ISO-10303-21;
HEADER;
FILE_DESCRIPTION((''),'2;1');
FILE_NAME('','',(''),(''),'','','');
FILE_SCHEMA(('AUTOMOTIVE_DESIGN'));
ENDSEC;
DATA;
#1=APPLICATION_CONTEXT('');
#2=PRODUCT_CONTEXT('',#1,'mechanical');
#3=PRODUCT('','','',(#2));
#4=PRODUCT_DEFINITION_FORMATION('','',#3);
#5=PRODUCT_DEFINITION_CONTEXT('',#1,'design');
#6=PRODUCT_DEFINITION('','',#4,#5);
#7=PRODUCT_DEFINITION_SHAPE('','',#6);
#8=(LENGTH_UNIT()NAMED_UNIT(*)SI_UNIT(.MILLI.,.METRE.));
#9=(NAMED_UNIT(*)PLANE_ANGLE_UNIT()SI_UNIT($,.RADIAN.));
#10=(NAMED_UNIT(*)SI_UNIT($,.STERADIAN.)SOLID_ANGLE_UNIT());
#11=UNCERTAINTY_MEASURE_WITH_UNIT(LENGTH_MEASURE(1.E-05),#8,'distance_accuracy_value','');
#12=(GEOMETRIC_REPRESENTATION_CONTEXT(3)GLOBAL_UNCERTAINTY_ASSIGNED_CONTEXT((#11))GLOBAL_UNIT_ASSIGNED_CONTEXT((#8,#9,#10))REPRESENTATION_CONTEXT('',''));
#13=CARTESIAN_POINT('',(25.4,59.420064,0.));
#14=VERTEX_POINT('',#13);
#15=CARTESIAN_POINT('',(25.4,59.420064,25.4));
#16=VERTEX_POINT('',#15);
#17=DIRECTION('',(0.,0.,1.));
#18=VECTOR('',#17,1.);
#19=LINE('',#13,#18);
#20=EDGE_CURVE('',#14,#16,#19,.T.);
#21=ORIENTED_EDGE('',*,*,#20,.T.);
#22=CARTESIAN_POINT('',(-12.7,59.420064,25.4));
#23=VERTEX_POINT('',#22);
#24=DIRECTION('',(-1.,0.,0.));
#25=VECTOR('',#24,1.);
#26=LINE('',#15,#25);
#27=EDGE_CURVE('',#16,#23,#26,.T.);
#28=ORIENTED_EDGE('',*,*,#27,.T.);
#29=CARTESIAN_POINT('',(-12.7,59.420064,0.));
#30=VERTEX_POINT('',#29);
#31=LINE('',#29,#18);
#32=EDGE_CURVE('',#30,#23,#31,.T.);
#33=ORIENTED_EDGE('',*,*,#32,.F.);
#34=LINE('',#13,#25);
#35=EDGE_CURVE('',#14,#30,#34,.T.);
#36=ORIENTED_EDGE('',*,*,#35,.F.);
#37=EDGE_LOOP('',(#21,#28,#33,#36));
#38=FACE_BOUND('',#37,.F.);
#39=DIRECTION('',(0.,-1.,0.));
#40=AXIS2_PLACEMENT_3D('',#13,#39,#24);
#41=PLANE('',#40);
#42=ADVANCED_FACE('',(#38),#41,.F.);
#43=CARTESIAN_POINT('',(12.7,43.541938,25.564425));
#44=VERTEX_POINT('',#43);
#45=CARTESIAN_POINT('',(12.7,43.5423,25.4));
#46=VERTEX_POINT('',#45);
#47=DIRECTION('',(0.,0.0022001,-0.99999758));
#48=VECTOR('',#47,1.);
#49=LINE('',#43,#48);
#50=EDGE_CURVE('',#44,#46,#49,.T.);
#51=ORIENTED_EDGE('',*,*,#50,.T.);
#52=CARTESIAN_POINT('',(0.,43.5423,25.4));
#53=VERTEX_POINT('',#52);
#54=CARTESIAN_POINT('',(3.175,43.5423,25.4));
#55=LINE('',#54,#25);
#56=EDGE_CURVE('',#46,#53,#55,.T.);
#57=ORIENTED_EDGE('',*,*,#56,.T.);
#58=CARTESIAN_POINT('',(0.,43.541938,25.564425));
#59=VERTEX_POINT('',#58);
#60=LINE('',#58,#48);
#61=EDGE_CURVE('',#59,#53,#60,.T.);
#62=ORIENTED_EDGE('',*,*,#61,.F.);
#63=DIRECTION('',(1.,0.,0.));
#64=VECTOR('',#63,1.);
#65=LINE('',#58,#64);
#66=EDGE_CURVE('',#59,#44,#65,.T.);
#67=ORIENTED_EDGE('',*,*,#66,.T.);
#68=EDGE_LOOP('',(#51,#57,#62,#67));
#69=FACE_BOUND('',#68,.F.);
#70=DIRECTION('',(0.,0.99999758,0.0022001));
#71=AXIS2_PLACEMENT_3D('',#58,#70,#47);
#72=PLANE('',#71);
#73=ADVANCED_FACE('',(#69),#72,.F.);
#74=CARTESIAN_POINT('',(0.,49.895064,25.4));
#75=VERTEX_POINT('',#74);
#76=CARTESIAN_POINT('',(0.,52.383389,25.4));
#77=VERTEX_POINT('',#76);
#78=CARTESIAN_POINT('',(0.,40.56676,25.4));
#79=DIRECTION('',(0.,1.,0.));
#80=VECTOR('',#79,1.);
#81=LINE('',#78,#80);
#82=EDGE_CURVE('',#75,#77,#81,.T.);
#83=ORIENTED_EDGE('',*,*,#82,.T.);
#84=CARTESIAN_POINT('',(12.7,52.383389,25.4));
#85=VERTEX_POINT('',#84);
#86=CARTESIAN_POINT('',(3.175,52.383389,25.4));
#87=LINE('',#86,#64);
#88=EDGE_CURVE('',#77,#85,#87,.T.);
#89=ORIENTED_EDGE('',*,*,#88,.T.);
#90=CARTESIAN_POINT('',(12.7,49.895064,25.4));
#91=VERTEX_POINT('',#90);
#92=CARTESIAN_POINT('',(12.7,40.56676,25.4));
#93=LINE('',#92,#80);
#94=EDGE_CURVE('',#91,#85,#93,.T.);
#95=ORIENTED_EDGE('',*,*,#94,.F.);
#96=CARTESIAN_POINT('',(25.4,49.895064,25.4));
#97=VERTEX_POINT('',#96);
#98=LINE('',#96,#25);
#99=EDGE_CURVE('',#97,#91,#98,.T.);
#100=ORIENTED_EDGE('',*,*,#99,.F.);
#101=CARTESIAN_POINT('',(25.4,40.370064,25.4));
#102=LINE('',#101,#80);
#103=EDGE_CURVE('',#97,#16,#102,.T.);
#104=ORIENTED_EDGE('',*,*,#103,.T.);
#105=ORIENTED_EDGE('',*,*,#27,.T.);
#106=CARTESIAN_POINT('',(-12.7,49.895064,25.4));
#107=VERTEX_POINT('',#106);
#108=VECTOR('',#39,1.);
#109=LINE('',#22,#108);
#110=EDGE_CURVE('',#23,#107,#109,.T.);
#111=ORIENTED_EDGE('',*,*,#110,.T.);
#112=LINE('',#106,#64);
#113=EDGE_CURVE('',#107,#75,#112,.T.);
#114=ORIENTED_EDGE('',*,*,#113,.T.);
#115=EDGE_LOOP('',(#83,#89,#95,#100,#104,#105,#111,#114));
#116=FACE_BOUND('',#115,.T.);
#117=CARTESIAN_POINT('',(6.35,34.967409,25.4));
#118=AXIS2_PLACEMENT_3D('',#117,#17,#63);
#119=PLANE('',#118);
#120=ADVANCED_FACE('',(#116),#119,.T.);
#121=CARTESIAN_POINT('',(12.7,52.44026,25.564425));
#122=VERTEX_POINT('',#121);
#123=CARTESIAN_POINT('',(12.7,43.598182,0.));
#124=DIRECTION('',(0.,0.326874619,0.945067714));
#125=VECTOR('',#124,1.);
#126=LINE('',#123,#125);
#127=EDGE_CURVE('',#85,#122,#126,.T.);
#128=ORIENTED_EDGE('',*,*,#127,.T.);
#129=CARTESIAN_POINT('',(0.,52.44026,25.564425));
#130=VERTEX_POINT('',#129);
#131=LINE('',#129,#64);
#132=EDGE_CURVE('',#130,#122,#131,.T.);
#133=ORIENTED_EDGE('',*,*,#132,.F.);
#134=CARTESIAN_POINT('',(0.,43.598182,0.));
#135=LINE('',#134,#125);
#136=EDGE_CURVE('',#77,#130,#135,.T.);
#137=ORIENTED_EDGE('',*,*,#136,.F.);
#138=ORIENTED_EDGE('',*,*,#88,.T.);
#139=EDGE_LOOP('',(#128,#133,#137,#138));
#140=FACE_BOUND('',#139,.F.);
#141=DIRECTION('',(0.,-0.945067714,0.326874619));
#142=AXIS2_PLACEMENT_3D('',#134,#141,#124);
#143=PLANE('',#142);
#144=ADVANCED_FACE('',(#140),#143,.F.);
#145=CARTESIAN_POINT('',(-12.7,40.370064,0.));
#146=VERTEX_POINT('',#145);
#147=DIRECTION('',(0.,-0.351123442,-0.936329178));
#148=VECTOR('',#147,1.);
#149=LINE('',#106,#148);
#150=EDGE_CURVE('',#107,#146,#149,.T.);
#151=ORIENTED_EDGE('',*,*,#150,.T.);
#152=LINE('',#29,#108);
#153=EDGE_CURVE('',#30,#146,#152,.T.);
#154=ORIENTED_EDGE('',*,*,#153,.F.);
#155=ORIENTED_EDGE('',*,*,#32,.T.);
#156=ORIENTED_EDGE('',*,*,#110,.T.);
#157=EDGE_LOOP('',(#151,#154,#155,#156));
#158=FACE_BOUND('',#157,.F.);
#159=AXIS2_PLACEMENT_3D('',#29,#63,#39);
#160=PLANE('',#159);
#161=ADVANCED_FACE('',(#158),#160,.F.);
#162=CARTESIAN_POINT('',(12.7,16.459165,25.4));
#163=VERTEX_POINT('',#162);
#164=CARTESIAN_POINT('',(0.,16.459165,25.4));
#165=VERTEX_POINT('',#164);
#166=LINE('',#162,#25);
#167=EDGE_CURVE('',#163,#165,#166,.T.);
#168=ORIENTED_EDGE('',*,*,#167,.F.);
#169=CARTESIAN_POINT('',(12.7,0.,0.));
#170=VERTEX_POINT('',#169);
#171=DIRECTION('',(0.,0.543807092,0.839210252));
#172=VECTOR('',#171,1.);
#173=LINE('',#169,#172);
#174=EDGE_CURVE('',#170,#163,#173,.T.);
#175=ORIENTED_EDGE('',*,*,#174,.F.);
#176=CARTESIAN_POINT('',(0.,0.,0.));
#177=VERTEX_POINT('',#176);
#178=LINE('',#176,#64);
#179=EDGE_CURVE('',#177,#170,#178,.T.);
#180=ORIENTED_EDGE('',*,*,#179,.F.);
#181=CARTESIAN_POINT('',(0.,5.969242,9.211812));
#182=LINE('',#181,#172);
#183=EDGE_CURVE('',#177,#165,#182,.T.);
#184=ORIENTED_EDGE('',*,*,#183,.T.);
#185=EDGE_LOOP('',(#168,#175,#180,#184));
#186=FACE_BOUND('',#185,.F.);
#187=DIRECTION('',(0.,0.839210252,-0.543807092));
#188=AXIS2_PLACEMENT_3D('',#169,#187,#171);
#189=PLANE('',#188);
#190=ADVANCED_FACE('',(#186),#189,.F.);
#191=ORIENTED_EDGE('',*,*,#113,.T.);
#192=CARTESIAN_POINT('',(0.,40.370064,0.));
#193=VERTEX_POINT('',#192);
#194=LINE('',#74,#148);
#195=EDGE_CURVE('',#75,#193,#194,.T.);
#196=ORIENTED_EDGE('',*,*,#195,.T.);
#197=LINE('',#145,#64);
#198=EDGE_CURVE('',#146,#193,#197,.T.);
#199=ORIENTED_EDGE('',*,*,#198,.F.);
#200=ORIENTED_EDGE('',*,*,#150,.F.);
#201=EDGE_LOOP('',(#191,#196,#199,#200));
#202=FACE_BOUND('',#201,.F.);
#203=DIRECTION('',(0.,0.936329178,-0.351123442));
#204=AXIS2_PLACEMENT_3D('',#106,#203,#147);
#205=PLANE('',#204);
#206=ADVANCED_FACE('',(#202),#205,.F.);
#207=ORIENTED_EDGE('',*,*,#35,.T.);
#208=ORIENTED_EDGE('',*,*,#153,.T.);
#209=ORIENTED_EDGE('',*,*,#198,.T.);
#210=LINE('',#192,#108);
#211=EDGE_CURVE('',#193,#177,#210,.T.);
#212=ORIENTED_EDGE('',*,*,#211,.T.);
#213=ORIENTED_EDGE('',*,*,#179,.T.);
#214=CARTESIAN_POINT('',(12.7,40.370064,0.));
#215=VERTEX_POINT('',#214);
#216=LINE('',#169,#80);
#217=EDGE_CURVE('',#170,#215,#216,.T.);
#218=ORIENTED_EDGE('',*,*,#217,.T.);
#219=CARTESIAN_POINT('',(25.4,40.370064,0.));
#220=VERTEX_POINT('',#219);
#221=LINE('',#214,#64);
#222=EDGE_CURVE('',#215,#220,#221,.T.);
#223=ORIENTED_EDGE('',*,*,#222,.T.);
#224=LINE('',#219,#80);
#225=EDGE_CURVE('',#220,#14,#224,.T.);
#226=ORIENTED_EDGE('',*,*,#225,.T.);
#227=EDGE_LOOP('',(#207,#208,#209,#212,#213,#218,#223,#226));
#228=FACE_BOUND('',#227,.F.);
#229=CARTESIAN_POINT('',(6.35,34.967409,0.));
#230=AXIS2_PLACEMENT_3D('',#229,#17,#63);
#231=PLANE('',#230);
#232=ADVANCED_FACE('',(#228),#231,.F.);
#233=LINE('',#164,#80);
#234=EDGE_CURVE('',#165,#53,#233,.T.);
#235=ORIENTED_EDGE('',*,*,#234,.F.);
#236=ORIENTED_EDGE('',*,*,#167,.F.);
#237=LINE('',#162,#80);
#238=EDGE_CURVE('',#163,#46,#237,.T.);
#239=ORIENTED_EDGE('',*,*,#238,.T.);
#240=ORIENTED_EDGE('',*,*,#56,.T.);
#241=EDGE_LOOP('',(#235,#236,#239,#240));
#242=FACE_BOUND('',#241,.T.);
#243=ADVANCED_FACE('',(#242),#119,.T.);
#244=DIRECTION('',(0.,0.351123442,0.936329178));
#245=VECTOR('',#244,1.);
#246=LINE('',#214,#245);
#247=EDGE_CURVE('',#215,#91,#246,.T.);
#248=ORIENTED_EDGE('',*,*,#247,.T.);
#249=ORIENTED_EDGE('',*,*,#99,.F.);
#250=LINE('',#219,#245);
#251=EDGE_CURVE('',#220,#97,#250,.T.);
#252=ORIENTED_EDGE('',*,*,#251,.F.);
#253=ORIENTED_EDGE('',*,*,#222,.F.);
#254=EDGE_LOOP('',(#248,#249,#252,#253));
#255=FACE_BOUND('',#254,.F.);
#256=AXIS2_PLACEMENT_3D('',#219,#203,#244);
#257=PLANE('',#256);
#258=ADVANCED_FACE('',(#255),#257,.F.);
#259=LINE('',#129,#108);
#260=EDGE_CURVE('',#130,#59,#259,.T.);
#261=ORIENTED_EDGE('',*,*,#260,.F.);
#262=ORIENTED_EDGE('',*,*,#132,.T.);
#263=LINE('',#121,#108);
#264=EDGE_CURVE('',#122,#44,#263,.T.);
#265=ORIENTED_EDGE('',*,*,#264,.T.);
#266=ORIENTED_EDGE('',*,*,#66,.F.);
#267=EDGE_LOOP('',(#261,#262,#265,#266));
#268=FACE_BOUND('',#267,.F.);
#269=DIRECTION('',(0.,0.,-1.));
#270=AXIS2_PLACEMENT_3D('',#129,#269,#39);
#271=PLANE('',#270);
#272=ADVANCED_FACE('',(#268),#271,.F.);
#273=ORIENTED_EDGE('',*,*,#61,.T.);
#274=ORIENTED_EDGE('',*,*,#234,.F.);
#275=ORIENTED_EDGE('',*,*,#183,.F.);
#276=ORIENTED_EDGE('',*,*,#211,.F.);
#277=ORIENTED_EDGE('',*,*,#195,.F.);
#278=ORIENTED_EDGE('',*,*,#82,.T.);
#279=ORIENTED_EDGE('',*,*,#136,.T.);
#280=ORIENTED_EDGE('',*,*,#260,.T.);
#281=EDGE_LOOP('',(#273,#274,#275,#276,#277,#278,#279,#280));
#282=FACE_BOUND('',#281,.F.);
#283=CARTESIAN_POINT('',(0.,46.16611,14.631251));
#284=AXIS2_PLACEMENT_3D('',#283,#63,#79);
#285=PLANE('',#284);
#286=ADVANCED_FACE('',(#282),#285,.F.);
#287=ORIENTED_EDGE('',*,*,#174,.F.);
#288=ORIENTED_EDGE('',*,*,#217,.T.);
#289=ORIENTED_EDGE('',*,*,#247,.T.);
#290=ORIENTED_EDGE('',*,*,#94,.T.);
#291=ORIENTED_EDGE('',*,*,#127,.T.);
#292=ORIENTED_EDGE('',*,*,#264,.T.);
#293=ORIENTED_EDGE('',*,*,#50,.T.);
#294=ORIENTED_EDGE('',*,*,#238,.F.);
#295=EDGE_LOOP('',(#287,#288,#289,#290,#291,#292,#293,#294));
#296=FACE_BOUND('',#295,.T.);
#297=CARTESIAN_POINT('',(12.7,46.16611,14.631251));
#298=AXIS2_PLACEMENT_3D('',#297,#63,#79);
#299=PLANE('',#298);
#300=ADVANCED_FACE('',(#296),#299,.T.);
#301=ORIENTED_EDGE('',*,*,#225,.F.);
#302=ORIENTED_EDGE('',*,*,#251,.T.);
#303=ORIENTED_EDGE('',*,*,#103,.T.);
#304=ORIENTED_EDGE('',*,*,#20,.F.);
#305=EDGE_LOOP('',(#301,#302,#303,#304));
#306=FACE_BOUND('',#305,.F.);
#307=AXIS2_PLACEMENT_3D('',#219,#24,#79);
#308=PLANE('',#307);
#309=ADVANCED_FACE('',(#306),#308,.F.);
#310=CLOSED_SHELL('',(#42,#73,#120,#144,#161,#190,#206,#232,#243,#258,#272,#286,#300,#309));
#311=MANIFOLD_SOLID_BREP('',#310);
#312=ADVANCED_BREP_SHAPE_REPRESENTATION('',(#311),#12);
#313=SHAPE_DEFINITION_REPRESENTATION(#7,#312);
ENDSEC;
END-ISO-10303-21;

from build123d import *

# Parameters (mm, degrees)
F1_DEPTH  = 25.4
F1_FACE_W = 40.370063592
F1_FACE_H = 25.4
F3_DEPTH  = 12.7
F5_DEPTH  = 25.4
F7_DEPTH  = 12.7
F9_DEPTH  = 12.7
F11_DEPTH = 12.7


with BuildPart() as f1:
    # F0 (on Top) → F1 (new body)
    with BuildSketch(Plane.XY):
        Polygon((0, 40.370063592), (0, 0), (12.7, 0), (12.7, 40.370063592), (25.4, 40.370063592), (25.4, 59.420063592), (-12.7, 59.420063592), (-12.7, 40.370063592), align=None)
    extrude(amount=F1_DEPTH)

    # F2 (on Right) + F1_face (on face) → F3 (cut)
    with BuildSketch(Plane.YZ):
        Polygon((8.6346566677, 25.5012921989), (0, 0), (13.8414995745, 0), (21.3624928147, 25.5012921989), align=None)
    with BuildSketch(Plane(origin=(0, 20.185031796, 12.7), x_dir=(0, -1, 0), z_dir=(-1, 0, 0))):
        Rectangle(F1_FACE_W, F1_FACE_H)
    extrude(amount=-F3_DEPTH, dir=(1, 0, 0), mode=Mode.SUBTRACT)

    # F4 (on face) → F5 (cut)
    with BuildSketch(Plane.YZ.offset(12.7)):
        Polygon((0, 0), (16.459165141, 25.4), (0, 25.4), align=None)
    extrude(amount=-F5_DEPTH, mode=Mode.SUBTRACT)

    # F6 (on face) → F7 (cut)
    with BuildSketch(Plane(origin=(-12.7, 0, 0), x_dir=(0, -1, 0), z_dir=(-1, 0, 0))):
        Polygon((-40.370063592, 25.4), (-49.895063592, 25.4), (-40.370063592, 0), align=None)
    extrude(amount=-F7_DEPTH, mode=Mode.SUBTRACT)

    # F8 (on Right) → F9 (join)
    with BuildSketch(Plane.YZ):
        Polygon((43.5419380665, 25.5644246936), (43.5981824994, 0), (52.4402596056, 25.5644246936), align=None)
    extrude(amount=F9_DEPTH)

    # F10 (on face) → F11 (cut)
    with BuildSketch(Plane.YZ.offset(25.4)):
        Polygon((40.370063592, 25.4), (40.370063592, 0), (49.895063592, 25.4), align=None)
    extrude(amount=-F11_DEPTH, mode=Mode.SUBTRACT)


solid = f1.part
